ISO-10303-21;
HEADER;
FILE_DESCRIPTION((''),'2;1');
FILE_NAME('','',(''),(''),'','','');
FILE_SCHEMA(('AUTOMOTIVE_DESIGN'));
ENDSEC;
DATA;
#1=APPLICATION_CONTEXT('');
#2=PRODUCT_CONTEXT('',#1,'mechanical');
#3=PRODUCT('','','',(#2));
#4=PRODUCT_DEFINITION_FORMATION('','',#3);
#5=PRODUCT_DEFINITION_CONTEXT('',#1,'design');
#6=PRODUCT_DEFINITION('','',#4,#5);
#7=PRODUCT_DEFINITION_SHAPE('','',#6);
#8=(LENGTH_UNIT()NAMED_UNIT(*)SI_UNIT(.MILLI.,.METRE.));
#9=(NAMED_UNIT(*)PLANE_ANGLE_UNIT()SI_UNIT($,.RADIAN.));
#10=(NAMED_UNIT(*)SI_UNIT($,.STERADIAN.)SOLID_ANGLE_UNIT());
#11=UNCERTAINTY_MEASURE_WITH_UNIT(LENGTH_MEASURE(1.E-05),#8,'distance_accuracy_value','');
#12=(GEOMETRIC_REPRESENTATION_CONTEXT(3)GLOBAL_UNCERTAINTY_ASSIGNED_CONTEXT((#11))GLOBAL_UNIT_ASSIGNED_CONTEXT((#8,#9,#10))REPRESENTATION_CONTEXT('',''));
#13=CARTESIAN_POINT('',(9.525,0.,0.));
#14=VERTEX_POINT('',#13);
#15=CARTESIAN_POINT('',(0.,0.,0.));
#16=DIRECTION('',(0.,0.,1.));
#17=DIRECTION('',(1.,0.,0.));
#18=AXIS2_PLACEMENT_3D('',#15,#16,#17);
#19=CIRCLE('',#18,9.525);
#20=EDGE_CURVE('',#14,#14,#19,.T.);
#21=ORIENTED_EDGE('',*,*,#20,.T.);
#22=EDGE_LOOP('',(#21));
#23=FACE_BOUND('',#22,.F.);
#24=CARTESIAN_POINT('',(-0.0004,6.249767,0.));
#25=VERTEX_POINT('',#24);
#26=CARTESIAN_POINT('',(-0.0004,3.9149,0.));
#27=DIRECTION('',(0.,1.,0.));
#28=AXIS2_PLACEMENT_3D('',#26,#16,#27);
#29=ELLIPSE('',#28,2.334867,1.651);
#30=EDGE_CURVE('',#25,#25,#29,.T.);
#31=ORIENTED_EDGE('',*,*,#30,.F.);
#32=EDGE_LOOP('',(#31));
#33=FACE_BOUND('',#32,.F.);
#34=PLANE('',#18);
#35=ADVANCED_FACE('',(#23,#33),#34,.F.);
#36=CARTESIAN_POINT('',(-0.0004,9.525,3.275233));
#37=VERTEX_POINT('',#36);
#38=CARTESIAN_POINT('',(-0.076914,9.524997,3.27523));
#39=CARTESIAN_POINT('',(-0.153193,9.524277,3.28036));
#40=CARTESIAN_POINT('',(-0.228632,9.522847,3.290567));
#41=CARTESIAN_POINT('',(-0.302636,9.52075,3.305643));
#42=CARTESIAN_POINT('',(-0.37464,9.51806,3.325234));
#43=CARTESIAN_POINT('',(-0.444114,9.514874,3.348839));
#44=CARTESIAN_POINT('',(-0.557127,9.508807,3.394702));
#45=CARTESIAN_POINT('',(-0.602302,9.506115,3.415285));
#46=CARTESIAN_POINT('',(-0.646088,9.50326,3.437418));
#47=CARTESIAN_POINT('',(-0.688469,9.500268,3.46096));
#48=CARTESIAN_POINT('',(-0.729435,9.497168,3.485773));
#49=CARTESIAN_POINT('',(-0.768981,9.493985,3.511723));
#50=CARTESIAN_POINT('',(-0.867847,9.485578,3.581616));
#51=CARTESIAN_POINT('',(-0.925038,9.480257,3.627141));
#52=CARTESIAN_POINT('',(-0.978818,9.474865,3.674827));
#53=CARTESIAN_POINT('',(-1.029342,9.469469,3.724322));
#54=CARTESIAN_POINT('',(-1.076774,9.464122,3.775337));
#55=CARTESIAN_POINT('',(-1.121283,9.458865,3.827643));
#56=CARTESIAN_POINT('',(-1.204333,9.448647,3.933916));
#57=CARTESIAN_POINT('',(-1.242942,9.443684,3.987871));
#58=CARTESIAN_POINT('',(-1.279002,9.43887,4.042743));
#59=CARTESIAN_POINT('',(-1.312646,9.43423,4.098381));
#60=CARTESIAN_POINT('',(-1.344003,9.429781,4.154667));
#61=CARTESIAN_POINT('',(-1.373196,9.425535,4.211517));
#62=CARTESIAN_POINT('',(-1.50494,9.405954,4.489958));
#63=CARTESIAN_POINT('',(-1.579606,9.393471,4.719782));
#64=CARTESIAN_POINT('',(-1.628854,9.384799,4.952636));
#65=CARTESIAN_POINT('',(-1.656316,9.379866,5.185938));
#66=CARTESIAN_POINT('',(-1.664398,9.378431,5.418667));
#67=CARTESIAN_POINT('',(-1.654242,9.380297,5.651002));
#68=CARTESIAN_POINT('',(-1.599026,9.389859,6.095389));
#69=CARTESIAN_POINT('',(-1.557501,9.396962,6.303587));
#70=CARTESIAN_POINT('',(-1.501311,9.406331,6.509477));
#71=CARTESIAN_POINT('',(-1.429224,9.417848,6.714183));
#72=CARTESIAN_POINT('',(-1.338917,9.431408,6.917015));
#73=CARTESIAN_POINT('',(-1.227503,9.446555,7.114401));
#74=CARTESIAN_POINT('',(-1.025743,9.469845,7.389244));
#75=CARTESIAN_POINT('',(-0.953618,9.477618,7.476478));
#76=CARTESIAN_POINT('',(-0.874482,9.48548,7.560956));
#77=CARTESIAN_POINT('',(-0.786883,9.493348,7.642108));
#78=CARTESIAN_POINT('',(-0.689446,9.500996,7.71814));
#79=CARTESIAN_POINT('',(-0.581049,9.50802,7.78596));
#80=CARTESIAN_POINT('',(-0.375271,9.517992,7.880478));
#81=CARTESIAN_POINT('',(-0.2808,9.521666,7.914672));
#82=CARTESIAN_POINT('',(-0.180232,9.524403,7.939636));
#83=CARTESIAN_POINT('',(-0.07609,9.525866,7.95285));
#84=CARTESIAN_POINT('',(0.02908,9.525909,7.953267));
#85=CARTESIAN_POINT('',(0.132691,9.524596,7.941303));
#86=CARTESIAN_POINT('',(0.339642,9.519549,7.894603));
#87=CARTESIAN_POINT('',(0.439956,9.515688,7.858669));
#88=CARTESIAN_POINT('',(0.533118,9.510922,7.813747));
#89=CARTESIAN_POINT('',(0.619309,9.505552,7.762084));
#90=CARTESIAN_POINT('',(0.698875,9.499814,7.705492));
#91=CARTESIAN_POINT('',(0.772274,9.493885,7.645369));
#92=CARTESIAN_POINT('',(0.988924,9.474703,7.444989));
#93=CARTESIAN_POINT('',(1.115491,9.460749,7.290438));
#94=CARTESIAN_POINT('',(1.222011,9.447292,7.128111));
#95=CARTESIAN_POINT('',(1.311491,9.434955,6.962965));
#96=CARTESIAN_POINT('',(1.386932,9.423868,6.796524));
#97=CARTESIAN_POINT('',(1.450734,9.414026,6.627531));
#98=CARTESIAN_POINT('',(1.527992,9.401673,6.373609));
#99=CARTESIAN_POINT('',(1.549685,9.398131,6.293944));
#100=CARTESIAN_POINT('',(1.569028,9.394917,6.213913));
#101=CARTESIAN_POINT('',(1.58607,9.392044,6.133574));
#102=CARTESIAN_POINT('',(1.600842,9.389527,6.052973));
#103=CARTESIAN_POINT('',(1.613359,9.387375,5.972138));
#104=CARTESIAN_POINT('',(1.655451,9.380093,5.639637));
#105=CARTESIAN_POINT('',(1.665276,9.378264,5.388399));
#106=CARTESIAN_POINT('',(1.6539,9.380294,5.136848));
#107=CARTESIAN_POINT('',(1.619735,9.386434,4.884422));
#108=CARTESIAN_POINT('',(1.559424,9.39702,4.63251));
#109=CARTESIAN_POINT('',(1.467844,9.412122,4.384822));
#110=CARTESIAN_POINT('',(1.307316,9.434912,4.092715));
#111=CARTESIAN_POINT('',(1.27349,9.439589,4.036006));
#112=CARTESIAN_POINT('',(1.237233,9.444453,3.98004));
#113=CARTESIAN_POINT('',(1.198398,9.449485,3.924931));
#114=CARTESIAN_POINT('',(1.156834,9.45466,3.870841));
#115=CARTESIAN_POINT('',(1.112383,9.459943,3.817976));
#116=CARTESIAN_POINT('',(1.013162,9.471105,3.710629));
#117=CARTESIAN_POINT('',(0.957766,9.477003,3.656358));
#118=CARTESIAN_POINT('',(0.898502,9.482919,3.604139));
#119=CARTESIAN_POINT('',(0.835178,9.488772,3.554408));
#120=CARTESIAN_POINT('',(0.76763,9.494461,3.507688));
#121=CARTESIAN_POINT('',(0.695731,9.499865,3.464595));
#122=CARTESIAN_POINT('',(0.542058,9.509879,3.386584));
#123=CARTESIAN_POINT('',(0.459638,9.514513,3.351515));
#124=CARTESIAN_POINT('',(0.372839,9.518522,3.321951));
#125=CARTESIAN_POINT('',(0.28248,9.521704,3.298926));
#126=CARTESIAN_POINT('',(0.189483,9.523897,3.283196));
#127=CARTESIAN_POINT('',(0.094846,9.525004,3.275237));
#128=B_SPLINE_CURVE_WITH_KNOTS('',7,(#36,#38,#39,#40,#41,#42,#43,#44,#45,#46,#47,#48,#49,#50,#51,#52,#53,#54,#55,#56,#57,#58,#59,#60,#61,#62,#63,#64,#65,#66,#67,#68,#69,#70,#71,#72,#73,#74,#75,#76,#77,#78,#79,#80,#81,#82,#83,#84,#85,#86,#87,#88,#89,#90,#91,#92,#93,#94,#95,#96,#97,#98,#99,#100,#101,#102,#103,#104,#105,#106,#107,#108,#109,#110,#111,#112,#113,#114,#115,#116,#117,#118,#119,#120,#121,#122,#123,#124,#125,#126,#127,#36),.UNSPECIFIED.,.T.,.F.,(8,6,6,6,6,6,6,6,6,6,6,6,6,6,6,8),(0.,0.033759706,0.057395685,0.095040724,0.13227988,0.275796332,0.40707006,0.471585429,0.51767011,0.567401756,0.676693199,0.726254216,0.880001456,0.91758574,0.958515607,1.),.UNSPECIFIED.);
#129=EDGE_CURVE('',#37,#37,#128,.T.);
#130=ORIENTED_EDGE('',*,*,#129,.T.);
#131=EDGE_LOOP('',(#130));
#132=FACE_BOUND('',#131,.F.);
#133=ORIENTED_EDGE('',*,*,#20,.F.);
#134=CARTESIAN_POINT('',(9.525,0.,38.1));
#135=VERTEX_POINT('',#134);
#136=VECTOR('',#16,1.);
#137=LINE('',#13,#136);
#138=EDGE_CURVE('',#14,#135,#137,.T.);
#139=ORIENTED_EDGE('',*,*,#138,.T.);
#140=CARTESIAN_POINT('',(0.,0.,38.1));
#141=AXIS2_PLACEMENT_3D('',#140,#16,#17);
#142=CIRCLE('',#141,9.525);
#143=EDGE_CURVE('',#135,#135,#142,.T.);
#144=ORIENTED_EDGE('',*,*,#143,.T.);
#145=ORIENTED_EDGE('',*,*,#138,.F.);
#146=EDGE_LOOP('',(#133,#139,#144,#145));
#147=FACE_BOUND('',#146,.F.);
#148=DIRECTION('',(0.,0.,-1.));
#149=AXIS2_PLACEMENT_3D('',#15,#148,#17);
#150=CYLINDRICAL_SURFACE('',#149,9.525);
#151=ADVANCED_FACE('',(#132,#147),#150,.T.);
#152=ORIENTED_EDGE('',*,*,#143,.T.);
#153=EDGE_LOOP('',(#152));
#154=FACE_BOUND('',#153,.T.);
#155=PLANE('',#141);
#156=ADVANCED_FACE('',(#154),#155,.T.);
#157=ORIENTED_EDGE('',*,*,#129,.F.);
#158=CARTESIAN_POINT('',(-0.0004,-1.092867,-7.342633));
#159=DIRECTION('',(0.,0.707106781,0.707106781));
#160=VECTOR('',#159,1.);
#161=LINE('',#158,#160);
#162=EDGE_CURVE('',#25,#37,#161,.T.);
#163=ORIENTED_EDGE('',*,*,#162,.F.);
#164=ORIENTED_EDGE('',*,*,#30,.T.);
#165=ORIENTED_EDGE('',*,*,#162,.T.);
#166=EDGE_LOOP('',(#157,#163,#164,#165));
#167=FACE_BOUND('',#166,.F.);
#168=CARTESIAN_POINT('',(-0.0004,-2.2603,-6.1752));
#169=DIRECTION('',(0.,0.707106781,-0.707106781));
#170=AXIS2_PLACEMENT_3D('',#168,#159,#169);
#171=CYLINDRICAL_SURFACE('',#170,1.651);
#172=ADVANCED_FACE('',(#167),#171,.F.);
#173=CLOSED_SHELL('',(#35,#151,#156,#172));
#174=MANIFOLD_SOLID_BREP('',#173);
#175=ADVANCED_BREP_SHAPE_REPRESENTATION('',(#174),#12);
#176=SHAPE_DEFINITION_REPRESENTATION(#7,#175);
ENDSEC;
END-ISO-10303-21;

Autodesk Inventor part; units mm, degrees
ref_plane "YZ Plane" through (0, 0, 0) normal (1, 0, 0) x (0, 1, 0)
ref_plane "XY Plane" through (0, 0, 0) normal (0, 0, 1) x (1, 0, 0)
sketch "Sketch1" plane through (0, 0, 0) normal (0, 0, 1) x (1, 0, 0)
  circle A0 centre (0, 0) radius 9.525
  dimension "d0" = 19.05
extrude "Extrusion1" add sketch "Sketch1" along normal blind 38.1
ref_plane "Work Plane2" through (0, 15.875, 0) normal (0, 1, 0) x (-1, 0, 0)
sketch "Sketch4" plane through (0, 15.875, 0) normal (0, 1, 0) x (-1, 0, 0)
  circle A0 centre (0, 7.62) radius 1.4605
  point P0 (0, 0)
  dimension "d6" = 2.921
  dimension "d7" = 7.62
sketch "Sketch5" plane through (0, 0, 0) normal (0, 0, -1) x (-1, 0, 0)
  circle A0 centre (0, 0) radius 9.525 projected
  circle A1 centre (0, 1.905) radius 1.4605
  line L0 (0, 9.525) -> (14.2875, 9.525)
  dimension "d8" = 2.921
  dimension "d9" = 7.62
ref_plane "Work Plane3" through (0, 9.525, 0) normal (0, 0.7071, 0.7071) x (-1, 0, 0)
sketch "Sketch6" plane through (0, 9.525, 0) normal (0, 0.7071, 0.7071) x (-1, 0, 0)
  circle A0 centre (0, 3.9683) radius 1.5875
  point P0 (0, 6.7352)
  dimension "d11" = 3.175
extrude "Extrusion2" add sketch "Sketch6" along normal mid plane 25.4
sketch "Sketch7" plane through (0, -2.2613, -6.1742) normal (0, -0.7071, -0.7071) x (-1, 0, 0)
  circle A0 centre (0, 0) radius 1.5875 projected
  circle A1 centre (0, 0) radius 1.5875 projected
  point P0 (0, -2.7669)
hole "Hole1" at (-0.0004, -2.2603, -6.1752) direction (0, 0.7071, 0.7071) diameter 3.302 depth 25.4 tip angle 118
properties part number "Brass"
